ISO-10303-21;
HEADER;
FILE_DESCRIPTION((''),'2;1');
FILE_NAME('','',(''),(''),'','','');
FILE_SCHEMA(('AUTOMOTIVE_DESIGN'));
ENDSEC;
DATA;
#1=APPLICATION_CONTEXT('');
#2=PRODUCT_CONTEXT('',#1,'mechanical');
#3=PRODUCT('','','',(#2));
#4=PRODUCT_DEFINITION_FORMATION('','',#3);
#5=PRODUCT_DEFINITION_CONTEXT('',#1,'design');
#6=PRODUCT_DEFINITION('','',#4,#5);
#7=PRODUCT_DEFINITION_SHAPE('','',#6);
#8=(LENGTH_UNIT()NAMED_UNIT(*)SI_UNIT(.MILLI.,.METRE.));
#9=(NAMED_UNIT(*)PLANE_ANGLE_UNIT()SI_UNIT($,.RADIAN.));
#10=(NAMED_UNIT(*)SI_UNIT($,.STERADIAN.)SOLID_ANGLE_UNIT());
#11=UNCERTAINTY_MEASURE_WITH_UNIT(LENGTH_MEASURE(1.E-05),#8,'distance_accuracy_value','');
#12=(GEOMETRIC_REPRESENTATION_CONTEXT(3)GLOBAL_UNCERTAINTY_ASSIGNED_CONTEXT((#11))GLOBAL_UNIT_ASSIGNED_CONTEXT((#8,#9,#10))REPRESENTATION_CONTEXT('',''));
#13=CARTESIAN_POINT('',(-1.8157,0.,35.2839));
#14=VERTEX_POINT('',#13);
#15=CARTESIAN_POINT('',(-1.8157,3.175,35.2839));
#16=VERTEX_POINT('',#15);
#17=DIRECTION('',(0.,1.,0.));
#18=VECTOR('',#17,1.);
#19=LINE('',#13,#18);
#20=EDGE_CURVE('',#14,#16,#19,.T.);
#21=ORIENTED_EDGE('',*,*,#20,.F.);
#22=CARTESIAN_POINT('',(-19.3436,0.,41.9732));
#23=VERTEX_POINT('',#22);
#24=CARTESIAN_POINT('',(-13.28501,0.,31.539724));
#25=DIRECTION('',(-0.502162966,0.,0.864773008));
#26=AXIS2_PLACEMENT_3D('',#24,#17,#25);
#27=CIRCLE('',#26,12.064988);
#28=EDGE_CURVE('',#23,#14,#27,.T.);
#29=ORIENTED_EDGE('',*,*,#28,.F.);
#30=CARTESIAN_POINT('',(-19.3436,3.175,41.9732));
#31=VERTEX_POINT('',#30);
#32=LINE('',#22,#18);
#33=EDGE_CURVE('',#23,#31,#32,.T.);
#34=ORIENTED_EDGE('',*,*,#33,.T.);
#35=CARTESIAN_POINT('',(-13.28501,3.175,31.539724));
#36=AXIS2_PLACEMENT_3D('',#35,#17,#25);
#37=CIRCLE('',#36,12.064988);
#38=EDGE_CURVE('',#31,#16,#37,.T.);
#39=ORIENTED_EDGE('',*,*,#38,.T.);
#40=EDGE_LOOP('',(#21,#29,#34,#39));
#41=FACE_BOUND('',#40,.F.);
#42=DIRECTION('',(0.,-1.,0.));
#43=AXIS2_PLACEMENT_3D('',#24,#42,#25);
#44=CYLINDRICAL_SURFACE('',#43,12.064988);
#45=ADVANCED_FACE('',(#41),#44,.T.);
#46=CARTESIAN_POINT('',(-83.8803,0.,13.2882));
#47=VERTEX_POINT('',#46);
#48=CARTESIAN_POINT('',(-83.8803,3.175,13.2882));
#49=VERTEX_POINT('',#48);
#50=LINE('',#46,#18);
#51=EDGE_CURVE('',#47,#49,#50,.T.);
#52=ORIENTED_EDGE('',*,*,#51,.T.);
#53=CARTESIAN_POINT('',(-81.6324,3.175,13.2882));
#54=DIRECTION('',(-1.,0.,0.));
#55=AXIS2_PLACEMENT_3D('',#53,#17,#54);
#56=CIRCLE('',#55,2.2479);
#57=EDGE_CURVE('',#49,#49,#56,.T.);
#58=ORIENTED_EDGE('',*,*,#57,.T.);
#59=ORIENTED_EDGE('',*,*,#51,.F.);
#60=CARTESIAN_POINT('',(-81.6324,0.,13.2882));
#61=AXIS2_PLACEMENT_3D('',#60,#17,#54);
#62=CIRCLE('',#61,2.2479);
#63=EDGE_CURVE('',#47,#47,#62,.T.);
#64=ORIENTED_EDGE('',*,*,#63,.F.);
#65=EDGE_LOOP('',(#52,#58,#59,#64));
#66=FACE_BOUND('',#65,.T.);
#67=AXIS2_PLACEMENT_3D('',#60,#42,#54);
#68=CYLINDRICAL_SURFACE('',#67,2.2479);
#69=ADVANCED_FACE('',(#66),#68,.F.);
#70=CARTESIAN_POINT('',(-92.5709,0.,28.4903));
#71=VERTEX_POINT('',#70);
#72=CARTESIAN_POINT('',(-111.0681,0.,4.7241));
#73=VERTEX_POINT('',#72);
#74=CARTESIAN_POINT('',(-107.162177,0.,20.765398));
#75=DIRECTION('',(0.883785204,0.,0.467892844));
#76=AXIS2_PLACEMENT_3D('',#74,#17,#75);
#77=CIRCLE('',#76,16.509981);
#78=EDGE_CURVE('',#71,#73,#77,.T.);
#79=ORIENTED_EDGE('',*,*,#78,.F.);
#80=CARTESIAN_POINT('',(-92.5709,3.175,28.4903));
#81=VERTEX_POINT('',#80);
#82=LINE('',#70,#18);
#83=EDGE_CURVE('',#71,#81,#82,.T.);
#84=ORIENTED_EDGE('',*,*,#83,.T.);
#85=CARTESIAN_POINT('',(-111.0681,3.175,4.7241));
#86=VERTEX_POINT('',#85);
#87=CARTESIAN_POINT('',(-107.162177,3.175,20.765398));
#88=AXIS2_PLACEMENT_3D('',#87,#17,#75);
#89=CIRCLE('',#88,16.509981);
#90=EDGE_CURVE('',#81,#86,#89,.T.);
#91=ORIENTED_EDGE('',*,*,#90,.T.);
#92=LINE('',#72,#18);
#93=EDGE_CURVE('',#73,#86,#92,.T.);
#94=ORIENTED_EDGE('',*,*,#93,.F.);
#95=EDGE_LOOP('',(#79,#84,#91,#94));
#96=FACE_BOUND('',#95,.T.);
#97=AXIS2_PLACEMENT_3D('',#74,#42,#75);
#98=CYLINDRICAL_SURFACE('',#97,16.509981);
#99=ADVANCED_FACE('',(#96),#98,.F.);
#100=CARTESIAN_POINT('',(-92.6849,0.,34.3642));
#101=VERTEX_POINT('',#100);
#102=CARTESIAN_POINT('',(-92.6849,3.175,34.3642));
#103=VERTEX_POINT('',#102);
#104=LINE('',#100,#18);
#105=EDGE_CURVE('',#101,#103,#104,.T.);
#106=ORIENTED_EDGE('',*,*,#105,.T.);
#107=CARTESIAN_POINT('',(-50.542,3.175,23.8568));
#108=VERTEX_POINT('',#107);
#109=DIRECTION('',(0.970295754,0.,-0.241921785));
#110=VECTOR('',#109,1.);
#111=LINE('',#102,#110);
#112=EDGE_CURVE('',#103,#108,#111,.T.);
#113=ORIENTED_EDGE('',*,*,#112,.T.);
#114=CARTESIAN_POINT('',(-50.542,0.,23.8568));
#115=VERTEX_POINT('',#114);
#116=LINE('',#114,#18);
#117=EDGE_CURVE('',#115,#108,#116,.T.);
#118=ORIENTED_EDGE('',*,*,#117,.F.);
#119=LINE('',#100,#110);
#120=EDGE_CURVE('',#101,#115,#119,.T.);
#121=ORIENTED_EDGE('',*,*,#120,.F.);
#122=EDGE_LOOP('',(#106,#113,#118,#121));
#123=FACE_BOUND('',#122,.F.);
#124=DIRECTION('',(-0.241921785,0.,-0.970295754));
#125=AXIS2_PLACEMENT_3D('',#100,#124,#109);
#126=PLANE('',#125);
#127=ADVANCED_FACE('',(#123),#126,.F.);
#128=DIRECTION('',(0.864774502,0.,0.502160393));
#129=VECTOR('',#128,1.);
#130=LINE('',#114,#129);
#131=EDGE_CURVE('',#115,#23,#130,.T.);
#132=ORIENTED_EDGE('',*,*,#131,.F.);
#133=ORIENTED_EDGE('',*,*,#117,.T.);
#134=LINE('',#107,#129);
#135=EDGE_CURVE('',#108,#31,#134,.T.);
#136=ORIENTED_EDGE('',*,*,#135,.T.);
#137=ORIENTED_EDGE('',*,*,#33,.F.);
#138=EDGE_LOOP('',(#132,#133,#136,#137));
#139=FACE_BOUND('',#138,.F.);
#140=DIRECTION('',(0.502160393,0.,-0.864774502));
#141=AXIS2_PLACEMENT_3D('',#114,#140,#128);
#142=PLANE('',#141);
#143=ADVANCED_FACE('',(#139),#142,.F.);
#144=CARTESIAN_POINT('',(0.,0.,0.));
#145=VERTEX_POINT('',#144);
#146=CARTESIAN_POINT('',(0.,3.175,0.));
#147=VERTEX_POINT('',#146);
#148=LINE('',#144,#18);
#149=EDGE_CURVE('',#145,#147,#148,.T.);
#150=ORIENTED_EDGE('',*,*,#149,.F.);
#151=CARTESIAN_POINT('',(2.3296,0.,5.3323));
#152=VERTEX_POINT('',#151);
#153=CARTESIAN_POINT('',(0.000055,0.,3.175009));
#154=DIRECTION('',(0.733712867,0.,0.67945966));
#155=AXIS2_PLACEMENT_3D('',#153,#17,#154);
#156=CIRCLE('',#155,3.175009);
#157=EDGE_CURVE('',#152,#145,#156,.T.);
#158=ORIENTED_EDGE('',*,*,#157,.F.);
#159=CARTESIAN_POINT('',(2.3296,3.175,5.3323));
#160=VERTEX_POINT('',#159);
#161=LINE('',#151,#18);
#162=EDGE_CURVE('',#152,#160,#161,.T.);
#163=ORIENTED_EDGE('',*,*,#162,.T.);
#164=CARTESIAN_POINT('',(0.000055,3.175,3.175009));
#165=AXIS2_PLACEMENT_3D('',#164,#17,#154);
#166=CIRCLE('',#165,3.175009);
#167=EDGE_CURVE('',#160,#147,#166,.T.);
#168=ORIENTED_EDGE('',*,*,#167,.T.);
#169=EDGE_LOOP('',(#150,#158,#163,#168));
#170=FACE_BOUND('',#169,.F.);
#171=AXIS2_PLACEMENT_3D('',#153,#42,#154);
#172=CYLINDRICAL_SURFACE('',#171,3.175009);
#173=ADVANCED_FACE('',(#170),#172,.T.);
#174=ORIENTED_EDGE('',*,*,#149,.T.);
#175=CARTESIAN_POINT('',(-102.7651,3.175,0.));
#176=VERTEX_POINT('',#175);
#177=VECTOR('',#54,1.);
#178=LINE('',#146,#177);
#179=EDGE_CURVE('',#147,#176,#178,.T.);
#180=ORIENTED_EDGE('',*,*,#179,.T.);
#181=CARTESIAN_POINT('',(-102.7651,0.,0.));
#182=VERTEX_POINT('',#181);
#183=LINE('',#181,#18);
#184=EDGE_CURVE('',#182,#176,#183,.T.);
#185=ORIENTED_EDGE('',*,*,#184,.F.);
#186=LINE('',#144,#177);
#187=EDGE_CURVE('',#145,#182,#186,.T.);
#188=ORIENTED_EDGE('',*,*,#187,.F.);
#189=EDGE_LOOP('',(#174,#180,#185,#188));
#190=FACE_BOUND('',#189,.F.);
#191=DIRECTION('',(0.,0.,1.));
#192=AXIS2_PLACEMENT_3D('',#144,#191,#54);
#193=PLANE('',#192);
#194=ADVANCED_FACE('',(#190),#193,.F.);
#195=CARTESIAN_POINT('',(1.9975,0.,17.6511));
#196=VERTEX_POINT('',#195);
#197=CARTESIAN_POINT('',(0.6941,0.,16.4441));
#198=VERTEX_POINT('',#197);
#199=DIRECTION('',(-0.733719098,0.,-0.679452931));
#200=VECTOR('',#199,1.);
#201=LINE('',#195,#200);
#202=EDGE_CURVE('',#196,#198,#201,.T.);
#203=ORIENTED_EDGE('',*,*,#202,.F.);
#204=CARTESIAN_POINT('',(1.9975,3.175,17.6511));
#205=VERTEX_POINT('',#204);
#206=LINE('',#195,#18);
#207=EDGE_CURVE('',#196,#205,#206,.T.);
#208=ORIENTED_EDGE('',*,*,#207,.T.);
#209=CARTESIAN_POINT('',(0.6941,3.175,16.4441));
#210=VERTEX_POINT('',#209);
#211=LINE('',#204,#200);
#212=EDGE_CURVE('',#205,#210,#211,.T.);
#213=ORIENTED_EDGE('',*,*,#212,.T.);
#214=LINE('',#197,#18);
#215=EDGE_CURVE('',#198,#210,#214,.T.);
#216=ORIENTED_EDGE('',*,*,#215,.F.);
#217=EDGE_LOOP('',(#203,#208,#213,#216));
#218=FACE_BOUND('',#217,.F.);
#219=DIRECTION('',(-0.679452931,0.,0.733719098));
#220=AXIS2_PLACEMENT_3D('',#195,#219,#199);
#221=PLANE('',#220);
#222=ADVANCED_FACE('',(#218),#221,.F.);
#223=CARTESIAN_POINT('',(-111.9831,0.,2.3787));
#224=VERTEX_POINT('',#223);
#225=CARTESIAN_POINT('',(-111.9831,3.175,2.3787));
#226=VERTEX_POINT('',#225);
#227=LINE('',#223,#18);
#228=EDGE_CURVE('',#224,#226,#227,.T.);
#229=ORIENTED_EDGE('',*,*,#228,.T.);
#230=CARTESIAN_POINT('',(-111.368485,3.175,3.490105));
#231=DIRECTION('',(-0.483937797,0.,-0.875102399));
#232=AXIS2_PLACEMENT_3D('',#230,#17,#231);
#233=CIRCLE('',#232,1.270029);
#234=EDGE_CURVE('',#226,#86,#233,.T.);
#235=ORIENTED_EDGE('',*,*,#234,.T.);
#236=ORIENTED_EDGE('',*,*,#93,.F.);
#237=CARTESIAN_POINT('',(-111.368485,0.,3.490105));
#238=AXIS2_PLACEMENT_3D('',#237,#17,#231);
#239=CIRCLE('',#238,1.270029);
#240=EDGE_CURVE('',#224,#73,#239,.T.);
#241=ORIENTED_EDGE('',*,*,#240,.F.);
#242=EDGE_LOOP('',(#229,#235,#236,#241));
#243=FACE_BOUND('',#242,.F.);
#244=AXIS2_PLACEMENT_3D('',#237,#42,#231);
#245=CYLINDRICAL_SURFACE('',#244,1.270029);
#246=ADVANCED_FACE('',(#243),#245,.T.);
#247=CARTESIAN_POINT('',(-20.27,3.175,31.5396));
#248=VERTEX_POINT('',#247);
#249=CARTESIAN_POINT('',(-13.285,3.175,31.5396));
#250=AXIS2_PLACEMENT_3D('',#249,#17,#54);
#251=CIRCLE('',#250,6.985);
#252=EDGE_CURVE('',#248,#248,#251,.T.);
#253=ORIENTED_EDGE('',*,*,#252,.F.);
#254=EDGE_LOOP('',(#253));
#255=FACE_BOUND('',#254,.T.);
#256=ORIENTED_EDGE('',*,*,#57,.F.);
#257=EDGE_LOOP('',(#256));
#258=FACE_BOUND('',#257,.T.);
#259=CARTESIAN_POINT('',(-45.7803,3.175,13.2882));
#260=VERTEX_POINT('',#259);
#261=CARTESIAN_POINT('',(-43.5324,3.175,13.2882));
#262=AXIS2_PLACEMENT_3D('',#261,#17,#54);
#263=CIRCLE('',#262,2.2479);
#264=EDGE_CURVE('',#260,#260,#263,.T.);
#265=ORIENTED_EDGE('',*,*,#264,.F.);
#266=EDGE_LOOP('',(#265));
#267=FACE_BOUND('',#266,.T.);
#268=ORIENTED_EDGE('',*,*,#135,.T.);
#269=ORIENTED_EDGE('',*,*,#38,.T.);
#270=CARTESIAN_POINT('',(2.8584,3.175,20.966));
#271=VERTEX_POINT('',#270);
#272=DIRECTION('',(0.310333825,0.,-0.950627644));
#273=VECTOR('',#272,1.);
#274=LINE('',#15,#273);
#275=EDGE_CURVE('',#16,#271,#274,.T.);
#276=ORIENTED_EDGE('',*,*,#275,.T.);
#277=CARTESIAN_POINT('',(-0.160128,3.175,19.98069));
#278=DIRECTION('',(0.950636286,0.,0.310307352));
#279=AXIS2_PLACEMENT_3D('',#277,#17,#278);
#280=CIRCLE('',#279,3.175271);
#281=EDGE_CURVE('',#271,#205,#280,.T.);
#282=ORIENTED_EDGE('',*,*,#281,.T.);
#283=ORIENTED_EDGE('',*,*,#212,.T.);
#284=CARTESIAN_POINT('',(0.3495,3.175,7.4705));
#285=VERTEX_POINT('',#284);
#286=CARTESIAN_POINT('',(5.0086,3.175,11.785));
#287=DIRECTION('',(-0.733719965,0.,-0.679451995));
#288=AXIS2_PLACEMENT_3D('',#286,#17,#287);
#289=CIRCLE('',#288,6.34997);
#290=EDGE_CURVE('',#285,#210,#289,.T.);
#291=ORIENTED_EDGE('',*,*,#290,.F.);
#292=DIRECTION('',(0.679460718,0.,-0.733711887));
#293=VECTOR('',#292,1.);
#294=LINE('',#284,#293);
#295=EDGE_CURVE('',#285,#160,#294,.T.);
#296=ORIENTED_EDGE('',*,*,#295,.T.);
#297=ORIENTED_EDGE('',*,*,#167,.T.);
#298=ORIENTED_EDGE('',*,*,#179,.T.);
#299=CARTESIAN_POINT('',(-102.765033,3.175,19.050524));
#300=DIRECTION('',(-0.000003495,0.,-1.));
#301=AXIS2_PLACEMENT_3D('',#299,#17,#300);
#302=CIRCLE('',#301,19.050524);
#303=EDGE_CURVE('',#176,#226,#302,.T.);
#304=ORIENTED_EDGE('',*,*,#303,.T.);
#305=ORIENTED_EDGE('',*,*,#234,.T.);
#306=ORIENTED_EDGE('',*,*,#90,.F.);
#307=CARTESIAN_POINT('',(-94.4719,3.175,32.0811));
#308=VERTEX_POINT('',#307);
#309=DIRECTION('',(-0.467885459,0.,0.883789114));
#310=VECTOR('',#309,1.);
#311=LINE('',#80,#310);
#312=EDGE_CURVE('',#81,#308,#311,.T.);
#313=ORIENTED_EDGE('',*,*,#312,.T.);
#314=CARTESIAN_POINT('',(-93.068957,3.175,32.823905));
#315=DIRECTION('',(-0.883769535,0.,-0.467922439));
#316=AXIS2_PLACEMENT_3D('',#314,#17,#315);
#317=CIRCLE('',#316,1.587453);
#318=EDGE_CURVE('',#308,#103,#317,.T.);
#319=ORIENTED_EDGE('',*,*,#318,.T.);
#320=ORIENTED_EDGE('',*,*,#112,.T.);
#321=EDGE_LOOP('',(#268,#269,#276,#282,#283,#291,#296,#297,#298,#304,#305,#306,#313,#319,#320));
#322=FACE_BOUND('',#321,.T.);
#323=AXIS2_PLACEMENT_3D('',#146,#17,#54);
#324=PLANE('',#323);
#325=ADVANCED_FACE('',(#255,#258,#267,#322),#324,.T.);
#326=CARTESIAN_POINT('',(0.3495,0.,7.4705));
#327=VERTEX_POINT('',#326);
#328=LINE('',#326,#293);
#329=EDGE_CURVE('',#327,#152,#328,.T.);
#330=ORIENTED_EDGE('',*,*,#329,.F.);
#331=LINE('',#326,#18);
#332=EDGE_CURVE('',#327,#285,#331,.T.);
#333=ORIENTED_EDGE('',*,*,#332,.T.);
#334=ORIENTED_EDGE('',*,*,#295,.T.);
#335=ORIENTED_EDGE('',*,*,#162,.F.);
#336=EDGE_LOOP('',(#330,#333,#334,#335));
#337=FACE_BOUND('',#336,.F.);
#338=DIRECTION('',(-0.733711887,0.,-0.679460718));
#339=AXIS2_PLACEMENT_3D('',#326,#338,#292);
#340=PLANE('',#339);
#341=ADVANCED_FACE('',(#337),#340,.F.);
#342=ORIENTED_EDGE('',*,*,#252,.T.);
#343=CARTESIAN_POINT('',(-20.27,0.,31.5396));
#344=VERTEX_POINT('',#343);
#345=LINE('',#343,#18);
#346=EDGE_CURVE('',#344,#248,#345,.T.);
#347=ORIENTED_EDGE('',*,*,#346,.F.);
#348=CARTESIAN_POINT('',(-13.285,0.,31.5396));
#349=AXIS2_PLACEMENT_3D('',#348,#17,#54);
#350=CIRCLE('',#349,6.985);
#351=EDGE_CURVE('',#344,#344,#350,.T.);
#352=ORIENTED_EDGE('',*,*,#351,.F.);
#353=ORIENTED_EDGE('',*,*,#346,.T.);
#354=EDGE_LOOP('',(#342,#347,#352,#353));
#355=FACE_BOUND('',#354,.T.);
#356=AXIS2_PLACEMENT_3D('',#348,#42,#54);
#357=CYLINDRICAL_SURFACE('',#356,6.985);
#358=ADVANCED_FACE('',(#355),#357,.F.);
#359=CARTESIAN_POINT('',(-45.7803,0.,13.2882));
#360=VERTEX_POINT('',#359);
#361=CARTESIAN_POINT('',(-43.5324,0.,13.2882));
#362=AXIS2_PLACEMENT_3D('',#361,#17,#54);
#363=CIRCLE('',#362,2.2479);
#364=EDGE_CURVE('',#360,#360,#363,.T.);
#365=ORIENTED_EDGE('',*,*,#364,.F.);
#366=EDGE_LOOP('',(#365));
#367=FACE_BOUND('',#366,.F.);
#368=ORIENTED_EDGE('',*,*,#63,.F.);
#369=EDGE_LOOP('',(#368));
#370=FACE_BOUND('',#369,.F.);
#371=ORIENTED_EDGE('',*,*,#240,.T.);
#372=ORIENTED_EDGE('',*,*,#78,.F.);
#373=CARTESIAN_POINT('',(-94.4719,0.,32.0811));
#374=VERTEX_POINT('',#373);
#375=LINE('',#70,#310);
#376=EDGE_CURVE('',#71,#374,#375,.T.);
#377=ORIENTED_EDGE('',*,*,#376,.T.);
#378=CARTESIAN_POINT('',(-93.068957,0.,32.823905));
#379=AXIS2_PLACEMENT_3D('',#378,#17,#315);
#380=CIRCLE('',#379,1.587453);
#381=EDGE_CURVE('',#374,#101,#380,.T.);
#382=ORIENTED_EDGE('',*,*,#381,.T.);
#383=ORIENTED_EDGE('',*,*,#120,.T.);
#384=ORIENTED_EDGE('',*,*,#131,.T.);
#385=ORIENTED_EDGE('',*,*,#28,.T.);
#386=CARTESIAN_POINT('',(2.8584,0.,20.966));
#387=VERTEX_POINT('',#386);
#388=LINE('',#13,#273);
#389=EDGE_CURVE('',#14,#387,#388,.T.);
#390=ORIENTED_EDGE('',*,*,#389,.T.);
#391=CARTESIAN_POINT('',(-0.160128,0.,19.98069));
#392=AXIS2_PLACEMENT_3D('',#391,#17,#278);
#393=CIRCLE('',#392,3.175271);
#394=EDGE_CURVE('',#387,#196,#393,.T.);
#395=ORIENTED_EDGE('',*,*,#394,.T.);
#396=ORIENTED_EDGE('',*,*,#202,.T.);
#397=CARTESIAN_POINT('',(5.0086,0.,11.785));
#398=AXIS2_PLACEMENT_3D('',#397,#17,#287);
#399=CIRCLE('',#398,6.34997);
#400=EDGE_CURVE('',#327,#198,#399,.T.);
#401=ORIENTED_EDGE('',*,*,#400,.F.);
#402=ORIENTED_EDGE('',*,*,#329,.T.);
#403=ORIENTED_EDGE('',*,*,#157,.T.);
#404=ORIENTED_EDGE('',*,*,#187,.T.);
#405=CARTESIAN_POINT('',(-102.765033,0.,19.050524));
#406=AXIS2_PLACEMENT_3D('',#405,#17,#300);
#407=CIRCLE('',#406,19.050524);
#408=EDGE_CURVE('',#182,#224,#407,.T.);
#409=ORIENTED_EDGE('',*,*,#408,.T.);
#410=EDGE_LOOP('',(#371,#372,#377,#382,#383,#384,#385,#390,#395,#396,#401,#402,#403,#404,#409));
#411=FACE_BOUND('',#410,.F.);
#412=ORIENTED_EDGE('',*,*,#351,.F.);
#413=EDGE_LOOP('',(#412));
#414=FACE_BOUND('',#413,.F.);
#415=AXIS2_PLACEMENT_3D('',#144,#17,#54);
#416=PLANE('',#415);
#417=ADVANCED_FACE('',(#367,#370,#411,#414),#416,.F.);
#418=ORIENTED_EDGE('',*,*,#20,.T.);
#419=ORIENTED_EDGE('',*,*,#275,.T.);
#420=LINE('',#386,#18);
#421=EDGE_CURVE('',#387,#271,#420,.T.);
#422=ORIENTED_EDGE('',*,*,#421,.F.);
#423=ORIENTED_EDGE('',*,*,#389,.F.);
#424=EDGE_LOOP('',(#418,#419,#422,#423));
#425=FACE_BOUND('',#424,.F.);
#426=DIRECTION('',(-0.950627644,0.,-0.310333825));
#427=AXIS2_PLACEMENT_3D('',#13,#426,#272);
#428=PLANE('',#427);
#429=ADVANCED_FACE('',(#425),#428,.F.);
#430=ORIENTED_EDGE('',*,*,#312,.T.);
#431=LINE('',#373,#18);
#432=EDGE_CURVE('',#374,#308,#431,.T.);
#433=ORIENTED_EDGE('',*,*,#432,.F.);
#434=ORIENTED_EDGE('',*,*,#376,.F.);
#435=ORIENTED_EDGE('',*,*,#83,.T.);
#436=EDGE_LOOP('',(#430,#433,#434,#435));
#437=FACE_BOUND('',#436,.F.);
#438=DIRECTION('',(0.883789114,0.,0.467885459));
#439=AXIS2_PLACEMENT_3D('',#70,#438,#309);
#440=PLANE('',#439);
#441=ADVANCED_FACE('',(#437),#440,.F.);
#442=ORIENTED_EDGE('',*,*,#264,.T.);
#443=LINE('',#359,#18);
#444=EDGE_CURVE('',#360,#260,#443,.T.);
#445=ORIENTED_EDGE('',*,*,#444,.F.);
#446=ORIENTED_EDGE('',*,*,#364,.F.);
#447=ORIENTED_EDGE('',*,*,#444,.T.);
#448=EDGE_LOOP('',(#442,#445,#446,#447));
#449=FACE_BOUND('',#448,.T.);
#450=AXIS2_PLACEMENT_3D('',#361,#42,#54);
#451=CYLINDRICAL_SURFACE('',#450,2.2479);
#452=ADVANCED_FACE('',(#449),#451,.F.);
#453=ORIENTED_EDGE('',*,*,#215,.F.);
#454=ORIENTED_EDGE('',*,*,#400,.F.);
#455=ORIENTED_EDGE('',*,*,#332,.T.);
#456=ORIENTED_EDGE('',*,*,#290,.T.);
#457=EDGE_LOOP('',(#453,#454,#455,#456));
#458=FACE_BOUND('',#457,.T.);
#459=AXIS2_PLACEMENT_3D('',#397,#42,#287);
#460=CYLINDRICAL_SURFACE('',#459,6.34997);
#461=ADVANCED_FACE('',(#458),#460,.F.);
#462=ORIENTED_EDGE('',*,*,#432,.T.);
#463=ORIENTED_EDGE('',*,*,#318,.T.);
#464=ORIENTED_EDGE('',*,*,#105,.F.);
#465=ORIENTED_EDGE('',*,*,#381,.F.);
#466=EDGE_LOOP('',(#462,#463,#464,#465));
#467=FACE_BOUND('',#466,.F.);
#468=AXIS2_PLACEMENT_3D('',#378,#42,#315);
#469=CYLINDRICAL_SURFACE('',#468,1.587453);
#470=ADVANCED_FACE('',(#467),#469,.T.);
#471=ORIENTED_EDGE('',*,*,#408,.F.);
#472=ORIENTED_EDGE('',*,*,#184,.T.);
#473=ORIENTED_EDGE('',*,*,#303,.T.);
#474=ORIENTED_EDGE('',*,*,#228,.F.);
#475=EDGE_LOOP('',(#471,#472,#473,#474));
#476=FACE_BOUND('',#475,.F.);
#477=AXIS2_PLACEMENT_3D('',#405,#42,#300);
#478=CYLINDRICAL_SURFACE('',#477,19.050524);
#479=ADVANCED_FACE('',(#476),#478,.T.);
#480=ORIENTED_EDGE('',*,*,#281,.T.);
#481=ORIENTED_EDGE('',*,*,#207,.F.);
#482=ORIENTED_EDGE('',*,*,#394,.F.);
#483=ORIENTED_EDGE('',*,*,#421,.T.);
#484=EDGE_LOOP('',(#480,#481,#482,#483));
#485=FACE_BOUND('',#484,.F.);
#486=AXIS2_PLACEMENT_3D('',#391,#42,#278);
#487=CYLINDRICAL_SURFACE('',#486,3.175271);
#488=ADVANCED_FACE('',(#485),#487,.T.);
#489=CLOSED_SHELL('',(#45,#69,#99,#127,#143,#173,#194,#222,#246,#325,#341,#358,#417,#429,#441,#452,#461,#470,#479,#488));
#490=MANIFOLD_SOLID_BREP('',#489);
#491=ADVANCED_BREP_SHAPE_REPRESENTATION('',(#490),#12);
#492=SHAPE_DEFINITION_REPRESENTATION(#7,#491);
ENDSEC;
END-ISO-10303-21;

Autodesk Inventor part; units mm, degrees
ref_plane "YZ Plane" through (0, 0, 0) normal (1, 0, 0) x (0, 1, 0)
ref_plane "XZ Plane" through (0, 0, 0) normal (0, 1, 0) x (-1, 0, 0)
ref_plane "XY Plane" through (0, 0, 0) normal (0, 0, 1) x (1, 0, 0)
sketch "Sketch1" plane through (0, 0, 0) normal (0, 1, 0) x (-1, 0, 0)
  line L0 (1.8157, 35.2839) -> (-2.8584, 20.966)
  arc A0 (-2.8584, 20.966) -> (-1.9975, 17.6511) centre (0.1598, 19.9807) ccw
  line L1 (-1.9975, 17.6511) -> (-0.6941, 16.4441)
  arc A1 (-0.3495, 7.4705) -> (-0.6941, 16.4441) centre (-5.0086, 11.785) ccw
  line L2 (-0.3495, 7.4705) -> (-2.3296, 5.3323)
  arc A2 (-2.3296, 5.3323) -> (0, 0) centre (0, 3.175) ccw
  line L3 (0, 0) -> (102.7651, 0)
  arc A3 (102.7651, 0) -> (111.9831, 2.3787) centre (102.7651, 19.05) ccw
  arc A4 (111.9831, 2.3787) -> (111.0681, 4.7241) centre (111.3685, 3.4901) ccw
  arc A5 (92.5709, 28.4903) -> (111.0681, 4.7241) centre (107.1622, 20.7654) ccw
  line L4 (92.5709, 28.4903) -> (94.4719, 32.0811)
  arc A6 (94.4719, 32.0811) -> (92.6849, 34.3642) centre (93.0689, 32.8239) ccw
  line L5 (92.6849, 34.3642) -> (50.542, 23.8568)
  line L6 (50.542, 23.8568) -> (19.3436, 41.9732)
  arc A7 (19.3436, 41.9732) -> (1.8157, 35.2839) centre (13.285, 31.5396) ccw
  circle A8 centre (43.5324, 13.2882) radius 2.2479
  circle A9 centre (81.6324, 13.2882) radius 2.2479
  circle A10 centre (13.285, 31.5396) radius 6.985
  point P0 (0, 0)
  point P1 (19.3436, 41.9732)
  point P2 (-1.9975, 17.6511)
  point P3 (-0.6941, 16.4441)
  point P4 (0, 0)
  point P5 (111.9831, 2.3787)
  point P6 (111.0681, 4.7241)
extrude "Plate1" add sketch "Sketch1" along normal blind 3.175
equation "\"d0\" = Thickness"
equation "\"BendRadius\" = Thickness"
equation "\"BendReliefWidth\" = Thickness"
equation "\"BendReliefDepth\" = 0.5 * Thickness"
equation "\"CornerReliefSize\" = 4 * Thickness"
equation "\"MinimumRemnant\" = 2 * Thickness"
equation "\"TransitionRadius\" = BendRadius"
equation "\"JacobiRadiusSize\" = BendRadius"
equation "\"GapSize\" = Thickness"
equation "\"Thickness\" = 3.175"
properties part number "hook-bottom-plate" material "Aluminum 6061"
